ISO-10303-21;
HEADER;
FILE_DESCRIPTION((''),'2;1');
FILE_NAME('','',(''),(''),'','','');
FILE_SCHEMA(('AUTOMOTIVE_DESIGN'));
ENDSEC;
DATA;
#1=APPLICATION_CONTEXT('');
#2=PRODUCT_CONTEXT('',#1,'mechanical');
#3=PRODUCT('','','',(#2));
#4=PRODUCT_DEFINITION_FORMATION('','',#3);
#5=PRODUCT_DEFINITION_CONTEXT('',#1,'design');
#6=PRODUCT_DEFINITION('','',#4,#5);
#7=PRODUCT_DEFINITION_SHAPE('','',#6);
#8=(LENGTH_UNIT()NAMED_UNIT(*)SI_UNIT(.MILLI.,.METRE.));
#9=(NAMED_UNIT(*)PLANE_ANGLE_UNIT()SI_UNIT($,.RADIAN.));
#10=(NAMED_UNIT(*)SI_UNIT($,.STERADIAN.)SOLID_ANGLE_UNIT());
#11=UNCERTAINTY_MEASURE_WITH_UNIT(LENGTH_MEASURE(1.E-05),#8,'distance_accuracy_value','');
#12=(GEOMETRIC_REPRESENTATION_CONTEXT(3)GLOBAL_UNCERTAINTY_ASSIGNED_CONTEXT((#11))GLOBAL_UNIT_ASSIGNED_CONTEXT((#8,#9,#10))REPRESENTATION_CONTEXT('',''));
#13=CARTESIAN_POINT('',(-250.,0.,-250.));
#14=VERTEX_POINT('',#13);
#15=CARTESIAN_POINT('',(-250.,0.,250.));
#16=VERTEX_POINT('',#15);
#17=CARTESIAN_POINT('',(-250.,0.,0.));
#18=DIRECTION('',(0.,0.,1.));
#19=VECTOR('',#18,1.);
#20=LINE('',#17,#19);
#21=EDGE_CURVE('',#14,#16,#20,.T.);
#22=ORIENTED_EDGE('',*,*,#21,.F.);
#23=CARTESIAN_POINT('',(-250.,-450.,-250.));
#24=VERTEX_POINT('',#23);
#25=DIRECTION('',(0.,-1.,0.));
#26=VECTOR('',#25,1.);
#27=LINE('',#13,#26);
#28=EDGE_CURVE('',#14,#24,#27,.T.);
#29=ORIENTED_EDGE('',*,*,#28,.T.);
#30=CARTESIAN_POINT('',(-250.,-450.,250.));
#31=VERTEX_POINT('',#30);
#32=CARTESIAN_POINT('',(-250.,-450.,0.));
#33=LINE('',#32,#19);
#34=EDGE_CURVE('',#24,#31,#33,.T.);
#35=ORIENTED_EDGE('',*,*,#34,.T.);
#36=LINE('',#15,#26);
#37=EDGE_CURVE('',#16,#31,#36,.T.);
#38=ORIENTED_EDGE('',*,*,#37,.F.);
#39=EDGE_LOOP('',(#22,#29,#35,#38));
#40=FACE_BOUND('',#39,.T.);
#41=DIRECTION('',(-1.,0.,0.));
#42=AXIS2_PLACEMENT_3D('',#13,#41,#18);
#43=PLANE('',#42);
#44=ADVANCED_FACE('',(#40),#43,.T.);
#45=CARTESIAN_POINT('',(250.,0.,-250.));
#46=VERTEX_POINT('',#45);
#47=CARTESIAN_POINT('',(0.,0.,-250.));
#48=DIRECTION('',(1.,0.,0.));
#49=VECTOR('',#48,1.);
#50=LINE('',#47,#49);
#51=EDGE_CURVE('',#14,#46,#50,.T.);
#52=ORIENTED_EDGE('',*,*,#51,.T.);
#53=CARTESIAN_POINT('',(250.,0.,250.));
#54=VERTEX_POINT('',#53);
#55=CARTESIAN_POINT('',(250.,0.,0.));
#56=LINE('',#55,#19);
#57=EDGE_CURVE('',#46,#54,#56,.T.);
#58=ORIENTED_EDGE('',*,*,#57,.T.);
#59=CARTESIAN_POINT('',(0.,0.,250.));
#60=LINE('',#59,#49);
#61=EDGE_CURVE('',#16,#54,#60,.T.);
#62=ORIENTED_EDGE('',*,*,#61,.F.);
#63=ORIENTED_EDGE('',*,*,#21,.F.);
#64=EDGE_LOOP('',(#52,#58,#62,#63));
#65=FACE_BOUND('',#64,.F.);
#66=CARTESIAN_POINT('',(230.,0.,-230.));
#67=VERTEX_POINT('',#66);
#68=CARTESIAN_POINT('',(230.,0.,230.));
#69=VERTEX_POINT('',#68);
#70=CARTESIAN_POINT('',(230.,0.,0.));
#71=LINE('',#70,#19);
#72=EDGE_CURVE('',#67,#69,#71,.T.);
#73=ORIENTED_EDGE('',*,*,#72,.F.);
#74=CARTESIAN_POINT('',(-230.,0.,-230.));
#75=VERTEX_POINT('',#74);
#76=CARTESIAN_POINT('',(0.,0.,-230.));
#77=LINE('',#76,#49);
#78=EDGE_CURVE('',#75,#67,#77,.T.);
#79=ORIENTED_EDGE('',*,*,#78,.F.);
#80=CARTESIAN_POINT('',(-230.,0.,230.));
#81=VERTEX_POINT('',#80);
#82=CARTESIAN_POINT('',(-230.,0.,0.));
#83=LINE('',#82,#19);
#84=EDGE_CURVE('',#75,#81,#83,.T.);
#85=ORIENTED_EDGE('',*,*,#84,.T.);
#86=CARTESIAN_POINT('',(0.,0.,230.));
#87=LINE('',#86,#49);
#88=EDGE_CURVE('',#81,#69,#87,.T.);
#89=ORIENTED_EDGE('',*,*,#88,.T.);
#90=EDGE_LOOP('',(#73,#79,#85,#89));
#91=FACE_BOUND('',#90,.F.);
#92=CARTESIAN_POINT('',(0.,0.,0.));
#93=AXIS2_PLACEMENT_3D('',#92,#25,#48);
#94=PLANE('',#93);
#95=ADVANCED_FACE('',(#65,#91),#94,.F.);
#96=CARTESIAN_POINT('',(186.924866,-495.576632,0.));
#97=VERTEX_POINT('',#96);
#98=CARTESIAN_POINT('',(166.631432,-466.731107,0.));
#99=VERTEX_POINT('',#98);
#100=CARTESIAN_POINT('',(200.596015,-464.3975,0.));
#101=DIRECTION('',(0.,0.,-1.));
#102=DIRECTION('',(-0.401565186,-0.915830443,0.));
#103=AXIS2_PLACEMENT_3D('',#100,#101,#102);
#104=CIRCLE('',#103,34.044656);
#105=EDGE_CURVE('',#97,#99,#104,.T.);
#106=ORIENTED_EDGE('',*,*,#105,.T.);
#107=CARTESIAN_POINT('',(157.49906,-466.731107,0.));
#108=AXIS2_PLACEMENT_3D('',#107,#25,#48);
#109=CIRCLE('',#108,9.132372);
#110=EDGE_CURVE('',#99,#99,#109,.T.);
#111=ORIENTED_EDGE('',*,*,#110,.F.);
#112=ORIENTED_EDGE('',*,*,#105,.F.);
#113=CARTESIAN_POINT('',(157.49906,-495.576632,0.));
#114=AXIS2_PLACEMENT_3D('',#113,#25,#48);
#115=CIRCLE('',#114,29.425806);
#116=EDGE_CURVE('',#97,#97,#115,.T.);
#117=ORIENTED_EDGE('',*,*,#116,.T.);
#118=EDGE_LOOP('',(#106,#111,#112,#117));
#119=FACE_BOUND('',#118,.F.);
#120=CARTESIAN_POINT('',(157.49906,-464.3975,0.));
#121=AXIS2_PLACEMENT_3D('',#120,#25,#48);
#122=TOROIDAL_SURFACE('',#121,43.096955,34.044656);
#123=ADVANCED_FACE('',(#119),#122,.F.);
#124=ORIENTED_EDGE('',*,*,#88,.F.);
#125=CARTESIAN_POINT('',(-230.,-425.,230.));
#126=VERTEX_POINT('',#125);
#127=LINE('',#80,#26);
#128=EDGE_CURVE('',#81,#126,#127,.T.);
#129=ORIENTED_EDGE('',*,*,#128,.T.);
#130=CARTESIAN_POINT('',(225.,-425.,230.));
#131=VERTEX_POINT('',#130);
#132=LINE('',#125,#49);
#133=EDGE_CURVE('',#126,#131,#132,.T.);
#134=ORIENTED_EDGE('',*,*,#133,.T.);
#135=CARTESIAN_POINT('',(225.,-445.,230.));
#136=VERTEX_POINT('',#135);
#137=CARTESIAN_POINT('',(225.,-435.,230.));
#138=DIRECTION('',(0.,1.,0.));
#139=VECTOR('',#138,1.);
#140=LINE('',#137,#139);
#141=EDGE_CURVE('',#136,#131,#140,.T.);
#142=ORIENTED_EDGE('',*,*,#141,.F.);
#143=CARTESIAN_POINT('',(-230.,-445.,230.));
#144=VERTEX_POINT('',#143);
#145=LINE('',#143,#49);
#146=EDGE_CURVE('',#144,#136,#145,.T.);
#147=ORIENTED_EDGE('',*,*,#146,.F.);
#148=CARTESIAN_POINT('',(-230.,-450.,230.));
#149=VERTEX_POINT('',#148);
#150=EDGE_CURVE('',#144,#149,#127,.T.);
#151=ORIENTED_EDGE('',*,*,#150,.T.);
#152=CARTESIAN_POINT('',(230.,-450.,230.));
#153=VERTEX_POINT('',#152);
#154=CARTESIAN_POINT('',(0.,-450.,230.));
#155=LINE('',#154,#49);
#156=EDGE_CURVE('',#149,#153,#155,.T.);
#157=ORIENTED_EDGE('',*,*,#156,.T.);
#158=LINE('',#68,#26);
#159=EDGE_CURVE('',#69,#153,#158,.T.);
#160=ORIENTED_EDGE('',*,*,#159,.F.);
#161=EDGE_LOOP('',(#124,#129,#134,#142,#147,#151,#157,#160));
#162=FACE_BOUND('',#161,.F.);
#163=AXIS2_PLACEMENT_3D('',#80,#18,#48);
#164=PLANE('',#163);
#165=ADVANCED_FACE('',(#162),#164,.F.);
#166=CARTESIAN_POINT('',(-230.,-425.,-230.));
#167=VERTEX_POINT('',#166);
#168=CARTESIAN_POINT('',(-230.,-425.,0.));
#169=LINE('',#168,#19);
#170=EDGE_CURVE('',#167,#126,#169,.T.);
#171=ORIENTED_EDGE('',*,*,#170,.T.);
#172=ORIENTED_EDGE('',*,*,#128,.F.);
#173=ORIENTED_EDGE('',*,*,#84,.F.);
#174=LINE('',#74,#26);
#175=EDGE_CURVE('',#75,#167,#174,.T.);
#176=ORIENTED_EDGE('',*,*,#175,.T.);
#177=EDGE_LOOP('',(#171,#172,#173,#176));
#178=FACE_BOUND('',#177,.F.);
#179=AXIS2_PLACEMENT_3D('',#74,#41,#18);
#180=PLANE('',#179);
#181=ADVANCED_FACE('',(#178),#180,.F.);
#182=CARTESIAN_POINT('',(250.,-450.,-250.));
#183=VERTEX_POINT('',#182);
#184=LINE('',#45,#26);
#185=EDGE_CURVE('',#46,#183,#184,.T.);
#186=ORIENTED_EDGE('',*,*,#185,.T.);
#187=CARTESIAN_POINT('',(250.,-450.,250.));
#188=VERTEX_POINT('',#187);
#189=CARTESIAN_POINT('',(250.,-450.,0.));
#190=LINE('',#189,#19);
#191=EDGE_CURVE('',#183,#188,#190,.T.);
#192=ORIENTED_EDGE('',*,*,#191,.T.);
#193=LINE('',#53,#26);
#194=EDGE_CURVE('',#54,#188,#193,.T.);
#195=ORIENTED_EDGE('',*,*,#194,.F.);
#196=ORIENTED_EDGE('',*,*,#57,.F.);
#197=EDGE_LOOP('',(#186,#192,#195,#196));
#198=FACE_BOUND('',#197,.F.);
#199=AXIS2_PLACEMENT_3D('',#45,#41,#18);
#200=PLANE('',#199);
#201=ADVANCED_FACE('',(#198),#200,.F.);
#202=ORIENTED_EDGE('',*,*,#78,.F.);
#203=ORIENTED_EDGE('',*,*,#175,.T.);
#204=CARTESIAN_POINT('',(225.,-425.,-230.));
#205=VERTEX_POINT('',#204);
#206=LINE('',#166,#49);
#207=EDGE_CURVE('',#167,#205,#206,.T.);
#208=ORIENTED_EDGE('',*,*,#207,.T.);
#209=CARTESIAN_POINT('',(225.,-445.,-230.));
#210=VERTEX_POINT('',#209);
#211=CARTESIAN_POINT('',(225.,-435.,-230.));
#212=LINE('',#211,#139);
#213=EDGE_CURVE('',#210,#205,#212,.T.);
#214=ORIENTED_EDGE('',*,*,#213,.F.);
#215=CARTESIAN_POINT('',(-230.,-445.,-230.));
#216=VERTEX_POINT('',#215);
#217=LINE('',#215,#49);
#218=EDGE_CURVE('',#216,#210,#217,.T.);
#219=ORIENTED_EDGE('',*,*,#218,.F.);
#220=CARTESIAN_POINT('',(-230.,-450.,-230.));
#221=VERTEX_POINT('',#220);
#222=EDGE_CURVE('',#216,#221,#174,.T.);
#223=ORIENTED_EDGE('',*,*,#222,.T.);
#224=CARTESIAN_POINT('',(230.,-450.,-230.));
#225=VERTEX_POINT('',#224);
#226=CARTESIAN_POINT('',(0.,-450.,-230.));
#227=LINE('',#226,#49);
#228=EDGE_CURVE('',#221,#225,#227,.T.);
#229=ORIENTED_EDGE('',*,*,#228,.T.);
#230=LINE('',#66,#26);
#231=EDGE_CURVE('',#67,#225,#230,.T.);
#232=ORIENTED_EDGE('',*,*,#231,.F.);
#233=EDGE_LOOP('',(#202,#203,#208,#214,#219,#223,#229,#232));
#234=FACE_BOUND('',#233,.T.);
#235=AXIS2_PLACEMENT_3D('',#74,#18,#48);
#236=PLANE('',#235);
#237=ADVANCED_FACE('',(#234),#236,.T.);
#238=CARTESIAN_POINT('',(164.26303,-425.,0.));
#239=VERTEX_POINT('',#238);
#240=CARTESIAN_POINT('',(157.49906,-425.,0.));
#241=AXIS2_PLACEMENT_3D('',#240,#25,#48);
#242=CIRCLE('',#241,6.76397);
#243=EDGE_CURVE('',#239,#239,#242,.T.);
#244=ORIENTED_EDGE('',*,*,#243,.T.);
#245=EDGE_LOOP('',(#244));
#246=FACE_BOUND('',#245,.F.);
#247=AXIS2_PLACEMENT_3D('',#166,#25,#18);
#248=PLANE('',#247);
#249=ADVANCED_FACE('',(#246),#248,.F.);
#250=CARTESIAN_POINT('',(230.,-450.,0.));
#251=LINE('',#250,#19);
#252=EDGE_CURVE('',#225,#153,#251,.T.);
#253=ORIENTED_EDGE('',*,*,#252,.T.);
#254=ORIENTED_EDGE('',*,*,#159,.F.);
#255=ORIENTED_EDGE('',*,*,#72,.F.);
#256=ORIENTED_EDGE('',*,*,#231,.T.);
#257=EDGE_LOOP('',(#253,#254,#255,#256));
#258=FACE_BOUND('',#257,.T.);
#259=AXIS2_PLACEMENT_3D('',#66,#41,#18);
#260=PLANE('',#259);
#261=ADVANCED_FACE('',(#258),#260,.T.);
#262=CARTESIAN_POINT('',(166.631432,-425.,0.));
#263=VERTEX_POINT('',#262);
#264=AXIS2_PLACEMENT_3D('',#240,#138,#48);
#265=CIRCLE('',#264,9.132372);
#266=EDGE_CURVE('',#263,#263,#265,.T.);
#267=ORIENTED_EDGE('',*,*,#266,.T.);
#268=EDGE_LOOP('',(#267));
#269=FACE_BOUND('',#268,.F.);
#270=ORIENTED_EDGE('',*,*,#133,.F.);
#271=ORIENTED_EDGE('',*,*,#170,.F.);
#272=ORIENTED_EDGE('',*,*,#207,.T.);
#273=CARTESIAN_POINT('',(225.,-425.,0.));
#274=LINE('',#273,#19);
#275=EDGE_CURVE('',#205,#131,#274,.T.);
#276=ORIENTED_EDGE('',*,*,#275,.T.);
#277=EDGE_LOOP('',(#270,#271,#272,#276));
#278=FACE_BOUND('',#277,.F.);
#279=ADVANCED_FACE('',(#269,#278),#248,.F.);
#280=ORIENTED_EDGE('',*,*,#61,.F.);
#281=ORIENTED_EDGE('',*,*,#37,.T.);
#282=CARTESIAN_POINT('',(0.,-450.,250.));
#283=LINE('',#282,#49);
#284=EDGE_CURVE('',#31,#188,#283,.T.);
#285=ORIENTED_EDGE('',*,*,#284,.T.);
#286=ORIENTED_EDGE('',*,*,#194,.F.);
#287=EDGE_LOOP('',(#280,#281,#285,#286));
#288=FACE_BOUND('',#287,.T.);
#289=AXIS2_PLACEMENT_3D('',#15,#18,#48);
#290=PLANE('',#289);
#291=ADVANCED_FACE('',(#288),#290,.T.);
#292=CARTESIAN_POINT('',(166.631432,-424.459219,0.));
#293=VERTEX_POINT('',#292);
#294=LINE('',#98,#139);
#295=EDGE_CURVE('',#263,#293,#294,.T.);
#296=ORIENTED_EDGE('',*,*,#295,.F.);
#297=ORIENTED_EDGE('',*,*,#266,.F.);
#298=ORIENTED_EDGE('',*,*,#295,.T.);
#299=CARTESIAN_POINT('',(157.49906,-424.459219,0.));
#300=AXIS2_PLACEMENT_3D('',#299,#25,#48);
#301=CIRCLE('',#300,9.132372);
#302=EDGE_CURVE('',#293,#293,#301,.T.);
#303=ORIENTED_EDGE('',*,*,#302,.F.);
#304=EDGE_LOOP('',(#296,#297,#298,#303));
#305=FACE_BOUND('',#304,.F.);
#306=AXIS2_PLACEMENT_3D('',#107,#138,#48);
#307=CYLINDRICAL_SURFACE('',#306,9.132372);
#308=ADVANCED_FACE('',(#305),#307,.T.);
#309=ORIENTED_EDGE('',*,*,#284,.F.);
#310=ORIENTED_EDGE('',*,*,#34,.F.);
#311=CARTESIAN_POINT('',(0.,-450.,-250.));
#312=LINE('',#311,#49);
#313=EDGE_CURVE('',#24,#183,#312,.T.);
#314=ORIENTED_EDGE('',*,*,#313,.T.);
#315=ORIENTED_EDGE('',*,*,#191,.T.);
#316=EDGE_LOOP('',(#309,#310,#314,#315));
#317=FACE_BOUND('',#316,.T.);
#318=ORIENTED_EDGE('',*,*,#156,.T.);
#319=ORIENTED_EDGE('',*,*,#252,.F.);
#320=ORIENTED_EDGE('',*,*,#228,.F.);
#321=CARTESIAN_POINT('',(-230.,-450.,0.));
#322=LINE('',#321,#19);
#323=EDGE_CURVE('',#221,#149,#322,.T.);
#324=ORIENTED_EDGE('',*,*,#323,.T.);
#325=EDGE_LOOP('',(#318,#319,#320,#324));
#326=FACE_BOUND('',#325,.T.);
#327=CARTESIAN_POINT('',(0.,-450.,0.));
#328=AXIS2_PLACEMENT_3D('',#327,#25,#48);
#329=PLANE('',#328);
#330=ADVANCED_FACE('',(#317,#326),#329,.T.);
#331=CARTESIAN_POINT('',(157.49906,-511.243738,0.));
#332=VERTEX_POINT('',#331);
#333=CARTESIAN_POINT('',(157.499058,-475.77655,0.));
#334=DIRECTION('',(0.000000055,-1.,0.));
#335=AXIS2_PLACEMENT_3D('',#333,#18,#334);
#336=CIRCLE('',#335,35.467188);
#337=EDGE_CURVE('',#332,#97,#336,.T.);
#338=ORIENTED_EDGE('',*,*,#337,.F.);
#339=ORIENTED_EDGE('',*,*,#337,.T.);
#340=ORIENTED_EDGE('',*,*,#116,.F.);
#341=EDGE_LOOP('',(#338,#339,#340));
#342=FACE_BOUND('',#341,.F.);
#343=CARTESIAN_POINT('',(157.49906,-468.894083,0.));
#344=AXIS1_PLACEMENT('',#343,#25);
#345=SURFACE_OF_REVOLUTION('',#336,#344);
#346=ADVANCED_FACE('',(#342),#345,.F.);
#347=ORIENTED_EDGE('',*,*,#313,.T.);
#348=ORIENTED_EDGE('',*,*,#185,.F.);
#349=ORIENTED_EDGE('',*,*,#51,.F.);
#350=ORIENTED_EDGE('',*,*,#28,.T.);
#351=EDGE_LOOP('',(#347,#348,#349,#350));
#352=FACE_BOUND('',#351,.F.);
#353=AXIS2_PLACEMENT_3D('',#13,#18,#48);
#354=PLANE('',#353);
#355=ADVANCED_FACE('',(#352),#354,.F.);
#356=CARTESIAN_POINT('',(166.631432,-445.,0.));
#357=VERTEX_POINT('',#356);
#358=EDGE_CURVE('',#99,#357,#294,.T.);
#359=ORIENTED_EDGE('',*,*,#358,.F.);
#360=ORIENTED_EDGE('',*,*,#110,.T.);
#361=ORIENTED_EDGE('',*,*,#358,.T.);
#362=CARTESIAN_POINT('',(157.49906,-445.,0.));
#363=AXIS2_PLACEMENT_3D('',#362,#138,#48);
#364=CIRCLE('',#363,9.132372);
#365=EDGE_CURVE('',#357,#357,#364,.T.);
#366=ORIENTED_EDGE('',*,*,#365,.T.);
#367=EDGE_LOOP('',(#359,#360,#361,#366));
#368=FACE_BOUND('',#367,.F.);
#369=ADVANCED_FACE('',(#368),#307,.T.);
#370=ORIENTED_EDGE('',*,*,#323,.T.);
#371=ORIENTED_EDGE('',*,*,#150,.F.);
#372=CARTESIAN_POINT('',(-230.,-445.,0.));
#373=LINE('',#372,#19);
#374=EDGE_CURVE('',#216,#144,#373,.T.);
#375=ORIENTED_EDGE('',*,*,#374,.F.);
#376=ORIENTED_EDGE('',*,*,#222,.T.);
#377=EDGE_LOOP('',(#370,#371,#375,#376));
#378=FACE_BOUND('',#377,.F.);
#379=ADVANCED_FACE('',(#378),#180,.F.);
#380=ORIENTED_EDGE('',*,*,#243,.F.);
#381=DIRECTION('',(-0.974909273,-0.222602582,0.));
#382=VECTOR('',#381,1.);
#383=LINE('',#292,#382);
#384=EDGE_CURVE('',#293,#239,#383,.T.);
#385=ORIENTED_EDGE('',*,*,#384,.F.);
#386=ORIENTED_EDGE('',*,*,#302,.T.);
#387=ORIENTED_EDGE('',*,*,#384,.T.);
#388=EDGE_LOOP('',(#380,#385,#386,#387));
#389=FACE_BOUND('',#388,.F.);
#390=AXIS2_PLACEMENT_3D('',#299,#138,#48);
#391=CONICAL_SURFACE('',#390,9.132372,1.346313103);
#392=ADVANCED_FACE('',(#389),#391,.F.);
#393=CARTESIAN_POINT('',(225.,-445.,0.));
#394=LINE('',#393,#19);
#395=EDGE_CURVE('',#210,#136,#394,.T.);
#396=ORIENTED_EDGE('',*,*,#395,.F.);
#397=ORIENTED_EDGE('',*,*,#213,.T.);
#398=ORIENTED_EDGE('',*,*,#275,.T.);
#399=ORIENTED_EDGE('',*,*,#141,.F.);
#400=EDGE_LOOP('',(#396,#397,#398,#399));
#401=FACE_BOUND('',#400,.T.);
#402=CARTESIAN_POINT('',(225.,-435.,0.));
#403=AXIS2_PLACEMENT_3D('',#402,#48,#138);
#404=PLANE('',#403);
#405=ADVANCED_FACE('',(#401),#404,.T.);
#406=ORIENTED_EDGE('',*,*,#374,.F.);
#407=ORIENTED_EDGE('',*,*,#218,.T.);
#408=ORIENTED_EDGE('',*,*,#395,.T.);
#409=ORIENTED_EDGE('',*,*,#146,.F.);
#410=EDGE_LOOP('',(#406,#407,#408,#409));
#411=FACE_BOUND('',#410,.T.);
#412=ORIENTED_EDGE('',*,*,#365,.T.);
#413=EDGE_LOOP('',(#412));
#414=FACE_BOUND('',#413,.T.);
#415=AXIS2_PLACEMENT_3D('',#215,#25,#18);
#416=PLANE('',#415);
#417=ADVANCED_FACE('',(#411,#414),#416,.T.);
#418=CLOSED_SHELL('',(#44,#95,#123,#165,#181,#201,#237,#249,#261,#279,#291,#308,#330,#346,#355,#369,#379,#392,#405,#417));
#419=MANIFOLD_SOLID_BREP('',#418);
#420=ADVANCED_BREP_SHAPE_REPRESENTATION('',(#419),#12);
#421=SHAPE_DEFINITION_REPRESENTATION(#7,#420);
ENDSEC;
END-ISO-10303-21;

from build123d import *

# Parameters (mm, degrees)
F0_W     = 500
F0_H     = 500
F0_W_2   = 460
F0_H_2   = 460
F1_DEPTH = 450
F2_W     = 20
F2_H     = 460
F3_DEPTH = 455


with BuildPart() as f1:
    # F0 (on Front) → F1 (new body)
    with BuildSketch(Plane.XZ):
        Rectangle(F0_W, F0_H)
        Rectangle(F0_W_2, F0_H_2, mode=Mode.SUBTRACT)
    extrude(amount=F1_DEPTH)

    # F2 (on face) → F3 (join)
    with BuildSketch(Plane.YZ.offset(-230)):
        with Locations((-435, 0)):
            Rectangle(F2_W, F2_H)
    extrude(amount=F3_DEPTH)

    # F4 (on Top) → F5 (revolve)
    with BuildSketch(Plane.XY):
        with BuildLine():
            Line((166.631432, -424.459219), (157.49906, -426.544428))
            Line((157.49906, -426.544428), (157.49906, -511.243738))
            ThreePointArc((157.49906, -511.243738), (174.167415, -507.082896), (186.924866, -495.576632))
            ThreePointArc((186.924866, -495.576632), (172.751683, -483.986573), (166.631432, -466.731107))
            Line((166.631432, -466.731107), (166.631432, -424.459219))
        make_face()
    revolve(axis=Axis((157.49906, -468.894083, 0), (0, -1, 0)))


solid = f1.part
